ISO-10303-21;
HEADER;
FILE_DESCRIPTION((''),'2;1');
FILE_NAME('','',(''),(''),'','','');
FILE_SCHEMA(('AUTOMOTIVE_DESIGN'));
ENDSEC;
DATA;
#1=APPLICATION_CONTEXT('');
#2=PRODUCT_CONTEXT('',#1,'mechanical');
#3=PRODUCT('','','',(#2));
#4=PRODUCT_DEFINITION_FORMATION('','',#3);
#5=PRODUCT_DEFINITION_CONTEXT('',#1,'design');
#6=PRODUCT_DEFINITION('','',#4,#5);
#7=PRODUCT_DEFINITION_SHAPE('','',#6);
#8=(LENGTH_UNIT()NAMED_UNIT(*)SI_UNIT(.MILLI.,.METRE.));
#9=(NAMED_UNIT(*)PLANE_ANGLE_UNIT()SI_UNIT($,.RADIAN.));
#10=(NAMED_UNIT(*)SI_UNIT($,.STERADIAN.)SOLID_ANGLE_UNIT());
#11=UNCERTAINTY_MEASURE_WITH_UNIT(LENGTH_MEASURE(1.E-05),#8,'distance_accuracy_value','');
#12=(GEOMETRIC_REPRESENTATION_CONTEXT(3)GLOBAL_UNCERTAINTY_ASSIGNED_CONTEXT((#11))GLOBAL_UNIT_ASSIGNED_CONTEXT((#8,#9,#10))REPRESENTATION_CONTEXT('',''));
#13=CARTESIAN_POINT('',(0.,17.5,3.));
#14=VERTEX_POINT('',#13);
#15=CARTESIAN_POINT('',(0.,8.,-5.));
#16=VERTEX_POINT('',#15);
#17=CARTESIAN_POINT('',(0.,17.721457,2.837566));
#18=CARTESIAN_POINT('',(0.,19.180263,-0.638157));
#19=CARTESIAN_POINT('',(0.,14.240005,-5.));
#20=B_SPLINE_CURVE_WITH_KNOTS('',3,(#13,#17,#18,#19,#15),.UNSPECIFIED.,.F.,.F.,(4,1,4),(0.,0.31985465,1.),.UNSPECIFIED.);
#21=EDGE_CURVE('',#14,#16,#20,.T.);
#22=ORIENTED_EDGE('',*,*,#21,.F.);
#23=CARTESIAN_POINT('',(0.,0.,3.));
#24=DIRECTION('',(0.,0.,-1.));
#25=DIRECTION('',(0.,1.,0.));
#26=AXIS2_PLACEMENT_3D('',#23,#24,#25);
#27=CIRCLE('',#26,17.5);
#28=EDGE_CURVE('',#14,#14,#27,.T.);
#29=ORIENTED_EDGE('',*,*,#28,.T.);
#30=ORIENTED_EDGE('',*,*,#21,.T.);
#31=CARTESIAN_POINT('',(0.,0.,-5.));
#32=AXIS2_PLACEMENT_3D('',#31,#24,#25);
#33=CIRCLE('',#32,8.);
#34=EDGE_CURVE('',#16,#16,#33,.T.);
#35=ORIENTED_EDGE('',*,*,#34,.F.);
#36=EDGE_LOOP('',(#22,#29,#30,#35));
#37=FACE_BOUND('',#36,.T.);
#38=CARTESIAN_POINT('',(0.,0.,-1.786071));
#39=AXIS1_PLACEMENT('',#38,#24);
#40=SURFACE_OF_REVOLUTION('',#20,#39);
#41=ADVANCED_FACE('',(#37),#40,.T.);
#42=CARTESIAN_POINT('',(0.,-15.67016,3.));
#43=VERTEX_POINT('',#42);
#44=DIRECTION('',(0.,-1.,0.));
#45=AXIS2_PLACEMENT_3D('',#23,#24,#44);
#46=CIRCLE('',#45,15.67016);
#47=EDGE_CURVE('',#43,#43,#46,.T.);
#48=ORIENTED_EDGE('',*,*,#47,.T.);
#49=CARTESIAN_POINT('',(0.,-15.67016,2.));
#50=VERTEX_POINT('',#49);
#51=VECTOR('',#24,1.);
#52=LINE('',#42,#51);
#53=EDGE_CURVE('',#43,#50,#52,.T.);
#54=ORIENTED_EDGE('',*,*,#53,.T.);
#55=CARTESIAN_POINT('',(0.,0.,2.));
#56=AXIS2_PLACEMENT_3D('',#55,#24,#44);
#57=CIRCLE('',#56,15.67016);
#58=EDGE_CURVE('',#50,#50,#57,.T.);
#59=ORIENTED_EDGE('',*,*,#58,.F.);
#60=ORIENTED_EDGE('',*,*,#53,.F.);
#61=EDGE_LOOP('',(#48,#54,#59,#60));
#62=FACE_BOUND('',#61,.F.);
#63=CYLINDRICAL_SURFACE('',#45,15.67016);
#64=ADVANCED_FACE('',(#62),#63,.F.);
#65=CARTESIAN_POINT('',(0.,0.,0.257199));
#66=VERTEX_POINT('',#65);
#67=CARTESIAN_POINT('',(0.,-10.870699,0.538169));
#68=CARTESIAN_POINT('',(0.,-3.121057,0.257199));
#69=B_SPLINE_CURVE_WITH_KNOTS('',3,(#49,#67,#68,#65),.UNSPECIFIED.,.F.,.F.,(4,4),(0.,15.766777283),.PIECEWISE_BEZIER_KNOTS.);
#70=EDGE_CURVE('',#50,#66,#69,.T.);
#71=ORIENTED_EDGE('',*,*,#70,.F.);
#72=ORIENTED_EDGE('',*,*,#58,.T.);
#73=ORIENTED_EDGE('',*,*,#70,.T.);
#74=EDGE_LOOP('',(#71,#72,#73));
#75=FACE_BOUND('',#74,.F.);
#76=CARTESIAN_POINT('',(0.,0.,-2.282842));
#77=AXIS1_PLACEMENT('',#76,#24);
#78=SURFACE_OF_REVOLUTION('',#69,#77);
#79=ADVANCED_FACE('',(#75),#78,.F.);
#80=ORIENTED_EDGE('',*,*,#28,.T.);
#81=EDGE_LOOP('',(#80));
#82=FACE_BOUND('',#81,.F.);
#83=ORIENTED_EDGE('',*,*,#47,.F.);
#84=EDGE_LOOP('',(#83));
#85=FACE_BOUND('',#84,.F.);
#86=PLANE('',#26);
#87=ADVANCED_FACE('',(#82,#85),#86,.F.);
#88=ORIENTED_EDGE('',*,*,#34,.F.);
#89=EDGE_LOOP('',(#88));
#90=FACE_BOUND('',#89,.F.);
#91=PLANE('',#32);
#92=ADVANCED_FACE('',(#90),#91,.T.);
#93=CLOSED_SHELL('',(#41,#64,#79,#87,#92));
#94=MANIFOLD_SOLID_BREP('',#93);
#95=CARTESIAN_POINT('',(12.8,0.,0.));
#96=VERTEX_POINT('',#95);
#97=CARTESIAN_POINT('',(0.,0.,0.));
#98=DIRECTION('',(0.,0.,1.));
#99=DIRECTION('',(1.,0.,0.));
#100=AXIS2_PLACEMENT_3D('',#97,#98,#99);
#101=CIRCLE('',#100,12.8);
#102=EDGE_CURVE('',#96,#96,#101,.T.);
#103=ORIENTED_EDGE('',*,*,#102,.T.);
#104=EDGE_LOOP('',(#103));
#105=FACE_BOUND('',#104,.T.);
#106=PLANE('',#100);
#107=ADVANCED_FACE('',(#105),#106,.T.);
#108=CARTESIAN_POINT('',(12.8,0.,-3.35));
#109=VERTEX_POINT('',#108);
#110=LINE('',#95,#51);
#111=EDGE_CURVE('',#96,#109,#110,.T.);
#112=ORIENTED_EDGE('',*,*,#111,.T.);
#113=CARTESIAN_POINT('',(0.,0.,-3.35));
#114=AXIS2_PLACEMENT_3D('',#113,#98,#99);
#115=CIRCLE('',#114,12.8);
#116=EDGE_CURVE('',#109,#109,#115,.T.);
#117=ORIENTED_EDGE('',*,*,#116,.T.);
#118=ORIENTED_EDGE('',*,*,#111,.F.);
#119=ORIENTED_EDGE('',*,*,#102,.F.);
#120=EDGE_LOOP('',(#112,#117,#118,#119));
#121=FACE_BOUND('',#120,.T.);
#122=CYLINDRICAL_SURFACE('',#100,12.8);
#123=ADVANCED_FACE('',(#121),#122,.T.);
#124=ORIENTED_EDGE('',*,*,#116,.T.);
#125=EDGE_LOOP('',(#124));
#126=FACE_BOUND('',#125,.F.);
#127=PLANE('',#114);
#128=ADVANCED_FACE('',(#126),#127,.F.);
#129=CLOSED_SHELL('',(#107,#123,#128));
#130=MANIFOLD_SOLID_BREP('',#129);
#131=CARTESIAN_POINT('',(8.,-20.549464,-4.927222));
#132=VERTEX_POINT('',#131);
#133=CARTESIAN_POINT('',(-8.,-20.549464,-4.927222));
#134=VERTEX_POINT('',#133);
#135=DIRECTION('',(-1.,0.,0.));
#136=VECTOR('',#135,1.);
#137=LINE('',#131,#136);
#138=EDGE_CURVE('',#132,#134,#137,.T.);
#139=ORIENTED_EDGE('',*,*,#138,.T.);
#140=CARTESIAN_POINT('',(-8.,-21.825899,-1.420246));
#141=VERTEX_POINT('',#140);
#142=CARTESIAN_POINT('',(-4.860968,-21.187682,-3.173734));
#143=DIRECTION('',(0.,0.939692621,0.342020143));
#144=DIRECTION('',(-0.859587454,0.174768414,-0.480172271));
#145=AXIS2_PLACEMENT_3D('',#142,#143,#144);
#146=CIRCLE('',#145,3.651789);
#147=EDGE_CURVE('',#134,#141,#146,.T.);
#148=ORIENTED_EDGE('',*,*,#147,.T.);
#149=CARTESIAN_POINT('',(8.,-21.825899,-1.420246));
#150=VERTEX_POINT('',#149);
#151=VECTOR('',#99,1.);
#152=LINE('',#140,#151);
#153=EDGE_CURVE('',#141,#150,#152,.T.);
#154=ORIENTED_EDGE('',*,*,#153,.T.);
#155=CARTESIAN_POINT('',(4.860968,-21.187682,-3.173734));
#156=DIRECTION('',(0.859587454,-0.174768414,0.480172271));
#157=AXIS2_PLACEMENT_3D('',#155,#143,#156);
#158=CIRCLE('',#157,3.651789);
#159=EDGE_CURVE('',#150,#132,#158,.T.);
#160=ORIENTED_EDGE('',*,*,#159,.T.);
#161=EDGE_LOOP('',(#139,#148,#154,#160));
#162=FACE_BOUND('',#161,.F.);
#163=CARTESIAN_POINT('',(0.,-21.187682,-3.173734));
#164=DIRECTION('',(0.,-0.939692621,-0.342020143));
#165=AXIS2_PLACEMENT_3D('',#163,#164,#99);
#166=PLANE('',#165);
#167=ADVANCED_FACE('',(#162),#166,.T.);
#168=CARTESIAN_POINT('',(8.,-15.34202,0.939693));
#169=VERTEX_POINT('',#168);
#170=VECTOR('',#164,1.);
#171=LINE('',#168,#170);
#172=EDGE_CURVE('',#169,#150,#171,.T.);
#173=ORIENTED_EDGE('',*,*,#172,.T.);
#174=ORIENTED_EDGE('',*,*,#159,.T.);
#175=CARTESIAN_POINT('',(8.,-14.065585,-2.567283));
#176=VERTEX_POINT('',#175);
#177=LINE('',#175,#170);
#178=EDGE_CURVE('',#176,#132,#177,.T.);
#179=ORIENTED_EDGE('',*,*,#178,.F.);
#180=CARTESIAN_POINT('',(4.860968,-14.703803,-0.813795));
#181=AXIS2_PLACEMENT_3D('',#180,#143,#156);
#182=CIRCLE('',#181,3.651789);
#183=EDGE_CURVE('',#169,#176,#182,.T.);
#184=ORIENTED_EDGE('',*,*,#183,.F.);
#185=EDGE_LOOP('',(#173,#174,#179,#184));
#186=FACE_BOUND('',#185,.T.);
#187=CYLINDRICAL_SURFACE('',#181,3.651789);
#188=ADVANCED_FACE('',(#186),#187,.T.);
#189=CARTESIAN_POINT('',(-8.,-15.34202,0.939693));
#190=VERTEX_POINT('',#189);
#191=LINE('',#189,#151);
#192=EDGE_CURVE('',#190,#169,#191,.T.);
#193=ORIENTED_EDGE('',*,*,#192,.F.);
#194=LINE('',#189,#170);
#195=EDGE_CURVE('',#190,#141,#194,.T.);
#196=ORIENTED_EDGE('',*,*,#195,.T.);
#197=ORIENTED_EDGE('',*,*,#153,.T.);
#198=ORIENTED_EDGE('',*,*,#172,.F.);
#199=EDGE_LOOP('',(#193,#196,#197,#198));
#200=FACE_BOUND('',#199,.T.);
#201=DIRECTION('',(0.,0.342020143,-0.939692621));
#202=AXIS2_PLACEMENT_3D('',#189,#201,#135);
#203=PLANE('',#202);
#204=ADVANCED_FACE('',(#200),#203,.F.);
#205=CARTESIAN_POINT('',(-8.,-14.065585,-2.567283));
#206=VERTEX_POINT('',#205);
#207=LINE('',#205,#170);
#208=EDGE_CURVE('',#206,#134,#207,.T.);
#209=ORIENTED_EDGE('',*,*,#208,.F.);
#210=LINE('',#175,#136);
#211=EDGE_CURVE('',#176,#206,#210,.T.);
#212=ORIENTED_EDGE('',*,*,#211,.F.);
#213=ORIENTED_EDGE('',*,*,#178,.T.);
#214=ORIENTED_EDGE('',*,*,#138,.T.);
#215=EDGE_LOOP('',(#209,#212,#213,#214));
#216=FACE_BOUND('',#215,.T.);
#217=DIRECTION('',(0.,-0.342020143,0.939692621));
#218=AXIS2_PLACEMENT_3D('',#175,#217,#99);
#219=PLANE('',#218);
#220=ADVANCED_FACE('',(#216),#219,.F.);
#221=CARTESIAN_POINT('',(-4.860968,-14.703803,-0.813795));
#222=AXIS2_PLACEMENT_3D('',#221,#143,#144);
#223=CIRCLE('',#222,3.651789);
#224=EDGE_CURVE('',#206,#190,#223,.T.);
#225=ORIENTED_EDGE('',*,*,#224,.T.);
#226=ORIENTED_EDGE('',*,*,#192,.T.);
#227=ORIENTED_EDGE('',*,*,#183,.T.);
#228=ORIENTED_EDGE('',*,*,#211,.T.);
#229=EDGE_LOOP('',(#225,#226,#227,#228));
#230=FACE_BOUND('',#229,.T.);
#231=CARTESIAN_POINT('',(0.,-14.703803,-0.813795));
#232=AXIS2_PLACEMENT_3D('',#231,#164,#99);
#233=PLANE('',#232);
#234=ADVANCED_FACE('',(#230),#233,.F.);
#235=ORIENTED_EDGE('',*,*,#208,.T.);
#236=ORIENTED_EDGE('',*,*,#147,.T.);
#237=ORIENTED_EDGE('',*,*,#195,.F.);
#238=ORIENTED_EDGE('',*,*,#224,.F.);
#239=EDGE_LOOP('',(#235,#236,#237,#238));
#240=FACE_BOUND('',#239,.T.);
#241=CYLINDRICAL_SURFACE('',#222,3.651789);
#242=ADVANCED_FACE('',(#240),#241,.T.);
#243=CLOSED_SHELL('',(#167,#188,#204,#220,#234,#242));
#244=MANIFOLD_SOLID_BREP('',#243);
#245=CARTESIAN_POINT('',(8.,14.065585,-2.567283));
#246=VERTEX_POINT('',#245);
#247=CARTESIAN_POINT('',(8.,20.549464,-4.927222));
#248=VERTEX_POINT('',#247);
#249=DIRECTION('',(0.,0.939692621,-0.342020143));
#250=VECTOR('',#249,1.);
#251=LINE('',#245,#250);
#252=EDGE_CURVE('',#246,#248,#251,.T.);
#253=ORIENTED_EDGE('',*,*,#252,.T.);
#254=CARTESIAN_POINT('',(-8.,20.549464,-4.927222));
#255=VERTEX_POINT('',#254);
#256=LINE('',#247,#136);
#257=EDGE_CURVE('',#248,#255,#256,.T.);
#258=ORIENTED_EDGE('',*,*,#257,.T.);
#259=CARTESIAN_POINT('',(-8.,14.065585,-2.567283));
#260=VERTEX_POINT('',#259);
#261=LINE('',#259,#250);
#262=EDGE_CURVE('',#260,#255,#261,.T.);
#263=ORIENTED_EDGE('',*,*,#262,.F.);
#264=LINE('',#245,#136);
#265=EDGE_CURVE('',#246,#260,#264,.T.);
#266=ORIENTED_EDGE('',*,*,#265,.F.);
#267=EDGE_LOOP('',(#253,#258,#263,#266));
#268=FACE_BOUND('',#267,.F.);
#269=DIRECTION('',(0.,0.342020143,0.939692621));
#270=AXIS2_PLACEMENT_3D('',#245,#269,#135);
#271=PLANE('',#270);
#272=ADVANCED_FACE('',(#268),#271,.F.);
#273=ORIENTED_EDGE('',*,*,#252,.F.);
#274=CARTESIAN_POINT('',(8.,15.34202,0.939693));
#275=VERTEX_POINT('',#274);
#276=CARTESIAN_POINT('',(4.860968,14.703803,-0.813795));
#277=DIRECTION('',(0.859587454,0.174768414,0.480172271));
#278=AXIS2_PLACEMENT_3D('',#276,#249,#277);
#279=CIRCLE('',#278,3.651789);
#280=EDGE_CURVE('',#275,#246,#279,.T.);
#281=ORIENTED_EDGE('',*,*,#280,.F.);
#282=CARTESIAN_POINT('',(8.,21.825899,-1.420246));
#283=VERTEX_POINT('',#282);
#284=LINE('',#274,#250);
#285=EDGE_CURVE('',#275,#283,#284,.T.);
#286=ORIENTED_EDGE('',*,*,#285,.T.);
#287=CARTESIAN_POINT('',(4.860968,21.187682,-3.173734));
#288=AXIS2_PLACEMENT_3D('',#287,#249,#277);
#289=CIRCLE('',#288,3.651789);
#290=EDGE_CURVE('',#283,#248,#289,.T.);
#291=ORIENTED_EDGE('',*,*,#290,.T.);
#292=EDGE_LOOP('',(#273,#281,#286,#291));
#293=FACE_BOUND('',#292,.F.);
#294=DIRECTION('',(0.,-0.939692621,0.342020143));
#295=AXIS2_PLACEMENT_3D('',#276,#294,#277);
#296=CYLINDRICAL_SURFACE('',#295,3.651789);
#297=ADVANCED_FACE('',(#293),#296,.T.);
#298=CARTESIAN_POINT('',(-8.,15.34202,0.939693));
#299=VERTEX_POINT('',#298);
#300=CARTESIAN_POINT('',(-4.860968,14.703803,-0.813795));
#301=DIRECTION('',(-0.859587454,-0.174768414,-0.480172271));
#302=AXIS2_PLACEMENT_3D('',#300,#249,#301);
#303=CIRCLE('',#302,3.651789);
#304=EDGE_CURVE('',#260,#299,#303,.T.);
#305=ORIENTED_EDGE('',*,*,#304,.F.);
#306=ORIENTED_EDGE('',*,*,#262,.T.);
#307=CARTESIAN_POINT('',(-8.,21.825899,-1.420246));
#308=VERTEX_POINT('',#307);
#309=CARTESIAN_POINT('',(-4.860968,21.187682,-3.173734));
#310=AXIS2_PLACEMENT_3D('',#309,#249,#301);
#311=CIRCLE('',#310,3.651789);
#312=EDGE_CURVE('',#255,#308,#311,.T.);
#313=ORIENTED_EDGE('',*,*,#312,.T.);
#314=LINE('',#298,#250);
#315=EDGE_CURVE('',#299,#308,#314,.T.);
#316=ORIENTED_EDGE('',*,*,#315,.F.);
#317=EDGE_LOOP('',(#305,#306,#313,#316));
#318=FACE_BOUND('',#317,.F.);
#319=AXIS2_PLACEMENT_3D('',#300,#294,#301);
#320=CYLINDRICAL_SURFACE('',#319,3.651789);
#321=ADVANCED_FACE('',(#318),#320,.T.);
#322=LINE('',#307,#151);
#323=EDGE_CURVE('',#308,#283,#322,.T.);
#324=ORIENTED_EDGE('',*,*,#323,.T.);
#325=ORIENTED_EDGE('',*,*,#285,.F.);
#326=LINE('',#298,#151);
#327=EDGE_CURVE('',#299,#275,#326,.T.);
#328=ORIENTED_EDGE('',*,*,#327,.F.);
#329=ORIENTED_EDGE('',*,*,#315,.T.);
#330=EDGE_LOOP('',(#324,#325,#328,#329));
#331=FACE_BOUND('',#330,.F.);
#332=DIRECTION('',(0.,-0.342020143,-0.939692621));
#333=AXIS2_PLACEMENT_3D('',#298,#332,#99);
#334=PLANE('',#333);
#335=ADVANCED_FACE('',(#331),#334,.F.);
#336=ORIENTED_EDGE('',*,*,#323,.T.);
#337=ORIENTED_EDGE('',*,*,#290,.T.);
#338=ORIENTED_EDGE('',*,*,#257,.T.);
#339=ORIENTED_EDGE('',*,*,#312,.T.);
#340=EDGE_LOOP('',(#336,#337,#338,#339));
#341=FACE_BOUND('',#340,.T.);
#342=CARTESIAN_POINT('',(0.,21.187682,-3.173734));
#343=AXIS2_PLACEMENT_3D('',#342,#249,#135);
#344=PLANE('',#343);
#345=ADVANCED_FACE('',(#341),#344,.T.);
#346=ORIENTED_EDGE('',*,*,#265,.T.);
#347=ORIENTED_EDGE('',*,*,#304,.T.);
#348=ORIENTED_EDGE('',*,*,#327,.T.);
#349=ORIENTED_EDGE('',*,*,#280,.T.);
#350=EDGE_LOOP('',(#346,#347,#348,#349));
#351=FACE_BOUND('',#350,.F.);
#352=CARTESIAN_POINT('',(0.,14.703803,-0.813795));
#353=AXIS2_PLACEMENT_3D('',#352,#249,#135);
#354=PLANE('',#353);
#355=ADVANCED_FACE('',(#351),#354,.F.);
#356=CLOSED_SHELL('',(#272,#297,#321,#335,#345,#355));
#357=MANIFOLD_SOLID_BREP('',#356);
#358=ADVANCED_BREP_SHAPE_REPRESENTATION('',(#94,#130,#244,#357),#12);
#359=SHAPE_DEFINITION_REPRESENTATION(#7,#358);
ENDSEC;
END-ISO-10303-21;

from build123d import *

# Parameters (mm, degrees)
F0_R     = 12.8
F1_DEPTH = 3.35
F9_DEPTH = 6.9


with BuildPart() as f1:
    # F0 (on Top) → F1 (new body)
    with BuildSketch(Plane.XY):
        Circle(F0_R)
    extrude(amount=-F1_DEPTH)


with BuildPart() as f3:
    # F2 (on Right) → F3 (revolve)
    with BuildSketch(Plane.YZ):
        with BuildLine():
            Line((17.5, 3), (0, 3))
            Line((0, 3), (0, -5))
            Line((0, -5), (8, -5))
            add(Edge.make_bspline(
                [(17.5, 3), (17.7214574069, 2.8375657275), (19.1802630622, -0.6381570551), (14.2400054109, -5), (8, -5)],
                knots=[0, 0, 0, 0, 0.3198546501, 1, 1, 1, 1], degree=3))
        make_face()
    revolve(axis=Axis((0, 0, -1.7860705041), (0, 0, -1)))

    # F4 (on Right) → F5 (revolve, cut)
    with BuildSketch(Plane.YZ):
        with BuildLine():
            Line((0, 3), (-15.6701598316, 3))
            Line((-15.6701598316, 3), (-15.6701598316, 2))
            add(Edge.make_bspline(
                [(-15.6701598316, 2), (-10.8706988394, 0.5381689805), (-3.1210567393, 0.2571985931), (0, 0.2571985931)],
                knots=[0, 0, 0, 0, 15.766777283, 15.766777283, 15.766777283, 15.766777283], degree=3))
            Line((0, 0.2571985931), (0, 3))
        make_face()
    revolve(axis=Axis((0, 0, -2.2828420624), (0, 0, -1)), mode=Mode.SUBTRACT)


with BuildPart() as f9:
    # F8 (on line) → F9 (new body)
    with BuildSketch(Plane(origin=(0, 13.2453333234, -4.8209070726), x_dir=(-1, 0, 0), z_dir=(0, 0.9396926208, -0.3420201433))):
        with BuildLine():
            Line((8, 6.1303021499), (0, 6.1303021499))
            Line((0, 6.1303021499), (-8, 6.1303021499))
            ThreePointArc((-8, 6.1303021499), (-8.5127570453, 4.2642791889), (-8, 2.3982562279))
            Line((-8, 2.3982562279), (0, 2.3982562279))
            Line((0, 2.3982562279), (8, 2.3982562279))
            ThreePointArc((8, 2.3982562279), (8.5127570453, 4.2642791889), (8, 6.1303021499))
        make_face()
    extrude(amount=F9_DEPTH)


with BuildPart() as f10_1:
    # F10: instance of F9
    add(f9.part.mirror(Plane.XZ))


solid = Compound([f1.part, f3.part, f9.part, f10_1.part])
